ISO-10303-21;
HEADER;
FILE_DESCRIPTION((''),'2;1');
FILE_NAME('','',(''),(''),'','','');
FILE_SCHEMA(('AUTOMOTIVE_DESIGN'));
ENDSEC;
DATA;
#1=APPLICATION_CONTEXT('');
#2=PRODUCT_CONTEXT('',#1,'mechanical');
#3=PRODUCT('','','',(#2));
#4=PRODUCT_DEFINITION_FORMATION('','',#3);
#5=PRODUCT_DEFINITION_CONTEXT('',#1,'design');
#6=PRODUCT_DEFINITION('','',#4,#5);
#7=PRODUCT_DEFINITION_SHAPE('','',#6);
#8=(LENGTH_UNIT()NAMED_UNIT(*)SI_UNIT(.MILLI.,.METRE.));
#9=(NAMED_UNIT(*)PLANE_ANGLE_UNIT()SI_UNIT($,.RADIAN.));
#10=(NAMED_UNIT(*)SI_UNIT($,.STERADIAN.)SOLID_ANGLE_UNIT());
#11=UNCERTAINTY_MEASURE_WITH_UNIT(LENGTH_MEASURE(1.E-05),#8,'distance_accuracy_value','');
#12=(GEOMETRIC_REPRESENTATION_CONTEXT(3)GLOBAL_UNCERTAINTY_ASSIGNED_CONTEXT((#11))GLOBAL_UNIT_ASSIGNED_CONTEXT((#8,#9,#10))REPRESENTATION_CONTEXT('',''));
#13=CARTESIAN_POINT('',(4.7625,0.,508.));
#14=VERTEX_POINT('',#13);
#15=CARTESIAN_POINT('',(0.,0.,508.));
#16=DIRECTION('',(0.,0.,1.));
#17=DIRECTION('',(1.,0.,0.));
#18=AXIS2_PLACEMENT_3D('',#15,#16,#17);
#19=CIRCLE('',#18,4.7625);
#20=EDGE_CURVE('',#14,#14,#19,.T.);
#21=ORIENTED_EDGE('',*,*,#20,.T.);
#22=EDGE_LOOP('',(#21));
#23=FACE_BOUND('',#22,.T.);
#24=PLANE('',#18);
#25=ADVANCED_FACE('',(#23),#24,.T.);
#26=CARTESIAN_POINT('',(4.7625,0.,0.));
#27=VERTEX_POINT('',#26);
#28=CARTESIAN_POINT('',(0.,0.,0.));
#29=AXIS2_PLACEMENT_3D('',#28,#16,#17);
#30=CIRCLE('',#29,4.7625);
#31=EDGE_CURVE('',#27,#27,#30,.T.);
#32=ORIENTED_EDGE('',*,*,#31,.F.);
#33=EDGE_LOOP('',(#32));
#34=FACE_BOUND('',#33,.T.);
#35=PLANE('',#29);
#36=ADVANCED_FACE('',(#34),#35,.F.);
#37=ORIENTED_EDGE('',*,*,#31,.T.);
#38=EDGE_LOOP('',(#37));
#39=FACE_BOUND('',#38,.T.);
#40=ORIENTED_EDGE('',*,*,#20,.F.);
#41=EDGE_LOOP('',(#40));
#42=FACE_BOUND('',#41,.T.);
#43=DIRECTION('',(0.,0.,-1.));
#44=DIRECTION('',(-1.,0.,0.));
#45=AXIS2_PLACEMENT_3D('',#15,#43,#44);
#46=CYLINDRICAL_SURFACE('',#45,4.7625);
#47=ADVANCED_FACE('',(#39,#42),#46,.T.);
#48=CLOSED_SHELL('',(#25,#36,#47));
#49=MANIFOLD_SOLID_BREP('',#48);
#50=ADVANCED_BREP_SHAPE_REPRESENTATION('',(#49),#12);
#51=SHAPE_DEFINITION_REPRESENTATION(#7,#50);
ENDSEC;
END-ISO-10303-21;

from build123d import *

# Parameters (mm, degrees)
SKETCH_1_R      = 4.7625
EXTRUDE_1_DEPTH = 508


with BuildPart() as part:
    # 草图1 → 凸台-拉伸1 (new body)
    with BuildSketch(Plane.XY):
        Circle(SKETCH_1_R)
    extrude(amount=EXTRUDE_1_DEPTH)


solid = part.part
